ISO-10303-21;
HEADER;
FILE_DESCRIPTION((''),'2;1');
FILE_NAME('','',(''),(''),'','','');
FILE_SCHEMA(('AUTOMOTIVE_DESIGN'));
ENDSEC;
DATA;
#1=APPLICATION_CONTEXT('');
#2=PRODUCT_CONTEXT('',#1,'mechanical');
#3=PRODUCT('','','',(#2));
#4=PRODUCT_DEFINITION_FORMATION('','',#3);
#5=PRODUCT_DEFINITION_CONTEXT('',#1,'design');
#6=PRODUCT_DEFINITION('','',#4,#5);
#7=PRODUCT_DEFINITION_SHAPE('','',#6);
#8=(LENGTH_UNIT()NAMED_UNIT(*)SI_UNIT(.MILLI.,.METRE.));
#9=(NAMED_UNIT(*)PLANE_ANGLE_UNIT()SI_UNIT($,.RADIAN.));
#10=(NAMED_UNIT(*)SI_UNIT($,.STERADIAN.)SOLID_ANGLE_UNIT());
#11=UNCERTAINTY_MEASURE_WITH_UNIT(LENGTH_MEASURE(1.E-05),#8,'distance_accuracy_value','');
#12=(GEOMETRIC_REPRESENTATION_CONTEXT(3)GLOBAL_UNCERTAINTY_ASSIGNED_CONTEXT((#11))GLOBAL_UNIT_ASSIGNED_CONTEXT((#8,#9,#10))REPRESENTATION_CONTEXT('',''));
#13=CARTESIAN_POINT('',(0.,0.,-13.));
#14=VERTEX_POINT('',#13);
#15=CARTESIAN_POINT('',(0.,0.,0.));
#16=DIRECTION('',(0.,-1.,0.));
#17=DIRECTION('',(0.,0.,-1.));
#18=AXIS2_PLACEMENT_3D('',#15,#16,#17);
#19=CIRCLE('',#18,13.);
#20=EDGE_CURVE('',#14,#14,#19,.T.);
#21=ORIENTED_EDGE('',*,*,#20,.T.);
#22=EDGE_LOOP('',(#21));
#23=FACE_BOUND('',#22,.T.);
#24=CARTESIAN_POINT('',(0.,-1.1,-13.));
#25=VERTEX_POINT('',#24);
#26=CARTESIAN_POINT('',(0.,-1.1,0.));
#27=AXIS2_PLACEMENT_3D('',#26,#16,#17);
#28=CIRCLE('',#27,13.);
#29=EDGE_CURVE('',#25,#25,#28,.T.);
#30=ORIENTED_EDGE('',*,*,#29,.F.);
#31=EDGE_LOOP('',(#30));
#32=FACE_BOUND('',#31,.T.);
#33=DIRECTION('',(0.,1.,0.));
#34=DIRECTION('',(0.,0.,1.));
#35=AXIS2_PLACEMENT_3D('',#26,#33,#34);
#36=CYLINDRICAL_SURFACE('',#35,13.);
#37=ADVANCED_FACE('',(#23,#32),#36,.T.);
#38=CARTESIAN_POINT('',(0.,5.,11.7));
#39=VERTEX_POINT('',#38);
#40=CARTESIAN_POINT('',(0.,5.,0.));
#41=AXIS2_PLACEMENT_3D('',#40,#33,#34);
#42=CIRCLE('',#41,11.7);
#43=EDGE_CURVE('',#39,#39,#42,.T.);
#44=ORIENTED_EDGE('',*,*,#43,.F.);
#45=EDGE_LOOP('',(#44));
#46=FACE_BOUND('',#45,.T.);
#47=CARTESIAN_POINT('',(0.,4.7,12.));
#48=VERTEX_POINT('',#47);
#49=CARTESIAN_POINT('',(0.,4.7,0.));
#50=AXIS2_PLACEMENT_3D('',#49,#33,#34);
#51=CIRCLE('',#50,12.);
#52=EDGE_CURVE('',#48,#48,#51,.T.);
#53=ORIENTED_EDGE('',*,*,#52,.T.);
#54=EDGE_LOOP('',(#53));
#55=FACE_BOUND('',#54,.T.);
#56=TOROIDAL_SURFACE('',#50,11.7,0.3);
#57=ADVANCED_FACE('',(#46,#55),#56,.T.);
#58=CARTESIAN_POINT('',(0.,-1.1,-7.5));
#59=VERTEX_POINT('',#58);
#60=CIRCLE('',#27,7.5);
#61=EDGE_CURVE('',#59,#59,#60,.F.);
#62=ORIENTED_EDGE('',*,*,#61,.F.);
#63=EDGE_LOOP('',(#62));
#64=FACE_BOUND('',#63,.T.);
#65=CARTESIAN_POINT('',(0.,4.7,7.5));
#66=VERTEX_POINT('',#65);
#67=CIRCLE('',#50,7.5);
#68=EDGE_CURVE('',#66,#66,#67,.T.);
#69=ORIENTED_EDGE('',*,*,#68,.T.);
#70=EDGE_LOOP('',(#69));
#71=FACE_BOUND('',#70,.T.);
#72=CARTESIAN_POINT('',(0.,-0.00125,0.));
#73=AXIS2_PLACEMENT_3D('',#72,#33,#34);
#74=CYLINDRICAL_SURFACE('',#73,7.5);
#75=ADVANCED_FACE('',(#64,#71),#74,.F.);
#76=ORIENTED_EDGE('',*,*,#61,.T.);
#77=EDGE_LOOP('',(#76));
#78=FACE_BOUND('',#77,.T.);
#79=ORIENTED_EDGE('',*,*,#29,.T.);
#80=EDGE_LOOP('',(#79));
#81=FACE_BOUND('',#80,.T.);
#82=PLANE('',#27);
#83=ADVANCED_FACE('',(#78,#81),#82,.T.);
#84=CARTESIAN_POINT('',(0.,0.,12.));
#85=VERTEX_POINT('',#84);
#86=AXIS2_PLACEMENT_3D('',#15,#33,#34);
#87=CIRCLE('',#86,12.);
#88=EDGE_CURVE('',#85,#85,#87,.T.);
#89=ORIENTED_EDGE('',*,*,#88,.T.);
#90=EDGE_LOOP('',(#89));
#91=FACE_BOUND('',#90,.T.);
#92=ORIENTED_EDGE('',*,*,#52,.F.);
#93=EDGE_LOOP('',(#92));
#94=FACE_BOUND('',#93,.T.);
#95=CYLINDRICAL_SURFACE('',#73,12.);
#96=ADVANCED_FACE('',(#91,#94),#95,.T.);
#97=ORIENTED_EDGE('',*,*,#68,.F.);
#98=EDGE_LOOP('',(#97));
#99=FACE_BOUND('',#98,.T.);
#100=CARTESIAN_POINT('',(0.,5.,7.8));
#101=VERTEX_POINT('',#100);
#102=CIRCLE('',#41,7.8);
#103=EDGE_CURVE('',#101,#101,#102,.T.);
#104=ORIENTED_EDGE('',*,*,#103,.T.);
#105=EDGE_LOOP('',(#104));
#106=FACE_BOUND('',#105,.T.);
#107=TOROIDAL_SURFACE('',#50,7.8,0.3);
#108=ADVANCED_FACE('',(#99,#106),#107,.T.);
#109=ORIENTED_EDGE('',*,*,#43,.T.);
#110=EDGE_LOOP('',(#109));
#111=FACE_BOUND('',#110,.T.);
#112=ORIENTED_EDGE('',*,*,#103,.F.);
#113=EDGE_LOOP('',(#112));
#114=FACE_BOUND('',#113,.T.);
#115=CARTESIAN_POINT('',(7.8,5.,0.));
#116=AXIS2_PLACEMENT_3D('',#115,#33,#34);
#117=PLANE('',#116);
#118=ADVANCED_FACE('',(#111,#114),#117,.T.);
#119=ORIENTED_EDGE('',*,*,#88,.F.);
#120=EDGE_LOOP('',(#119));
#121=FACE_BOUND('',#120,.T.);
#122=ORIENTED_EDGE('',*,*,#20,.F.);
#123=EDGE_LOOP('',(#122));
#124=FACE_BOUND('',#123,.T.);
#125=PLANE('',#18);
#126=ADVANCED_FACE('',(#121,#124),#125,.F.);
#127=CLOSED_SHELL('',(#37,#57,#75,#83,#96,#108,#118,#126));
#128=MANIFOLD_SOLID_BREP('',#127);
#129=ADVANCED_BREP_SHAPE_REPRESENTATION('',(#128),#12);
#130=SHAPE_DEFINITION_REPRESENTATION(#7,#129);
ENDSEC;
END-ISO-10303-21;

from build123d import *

# Parameters (mm, degrees)
SKETCH_2_R          = 13
EXTRUDE_1_DEPTH     = 1.1
CUT_EXTRUDE_1_REACH = 21.053
SKETCH_3_R          = 7.5


with BuildPart() as part:
    # 草图1 → 旋转1 (revolve)
    with BuildSketch(Plane(origin=(0, 0, 0), x_dir=(-1, 0, 0), z_dir=(0, 0, -1)), mode=Mode.PRIVATE) as revolve_1_sk:
        with BuildLine():
            Line((-11.7, 0), (-7.8, 0))
            Line((-7.8, 0), (-7.5, 0))
            Line((-7.5, 0), (-7.5, 0.3))
            Line((-7.5, 0.3), (-7.5, 4.7))
            ThreePointArc((-7.5, 4.7), (-7.587867966, 4.912132034), (-7.8, 5))
            Line((-7.8, 5), (-11.7, 5))
            ThreePointArc((-11.7, 5), (-11.912132034, 4.912132034), (-12, 4.7))
            Line((-12, 4.7), (-12, 0.3))
            Line((-12, 0.3), (-12, 0))
            Line((-12, 0), (-11.7, 0))
        make_face()
    revolve(revolve_1_sk.sketch.rotate(Axis((0, -0.001250002, 0), (0, 1, 0)), 270), axis=Axis((0, -0.001250002, 0), (0, 1, 0)))

    # 草图2 → 凸台-拉伸1 (add)
    with BuildSketch(Plane.XZ):
        with Locations(Location((0, 0, 0), (0, 0, 270))):
            Circle(SKETCH_2_R)
    extrude(amount=EXTRUDE_1_DEPTH)

    # 草图3 → 切除-拉伸1 (cut, up to next)
    with BuildSketch(Plane(origin=(0, 0, 0), x_dir=(1, 0, 0), z_dir=(0, 1, 0)), mode=Mode.PRIVATE) as cut_extrude_1_sk1:
        with Locations(Location((0, 0, 0), (0, 0, 270))):
            Circle(SKETCH_3_R)
    cut_extrude_1_tool1 = extrude(cut_extrude_1_sk1.sketch, amount=-CUT_EXTRUDE_1_REACH, mode=Mode.PRIVATE) & part.part
    add(cut_extrude_1_tool1.solids().sort_by_distance((0, 0, 0))[0], mode=Mode.SUBTRACT)


solid = part.part
